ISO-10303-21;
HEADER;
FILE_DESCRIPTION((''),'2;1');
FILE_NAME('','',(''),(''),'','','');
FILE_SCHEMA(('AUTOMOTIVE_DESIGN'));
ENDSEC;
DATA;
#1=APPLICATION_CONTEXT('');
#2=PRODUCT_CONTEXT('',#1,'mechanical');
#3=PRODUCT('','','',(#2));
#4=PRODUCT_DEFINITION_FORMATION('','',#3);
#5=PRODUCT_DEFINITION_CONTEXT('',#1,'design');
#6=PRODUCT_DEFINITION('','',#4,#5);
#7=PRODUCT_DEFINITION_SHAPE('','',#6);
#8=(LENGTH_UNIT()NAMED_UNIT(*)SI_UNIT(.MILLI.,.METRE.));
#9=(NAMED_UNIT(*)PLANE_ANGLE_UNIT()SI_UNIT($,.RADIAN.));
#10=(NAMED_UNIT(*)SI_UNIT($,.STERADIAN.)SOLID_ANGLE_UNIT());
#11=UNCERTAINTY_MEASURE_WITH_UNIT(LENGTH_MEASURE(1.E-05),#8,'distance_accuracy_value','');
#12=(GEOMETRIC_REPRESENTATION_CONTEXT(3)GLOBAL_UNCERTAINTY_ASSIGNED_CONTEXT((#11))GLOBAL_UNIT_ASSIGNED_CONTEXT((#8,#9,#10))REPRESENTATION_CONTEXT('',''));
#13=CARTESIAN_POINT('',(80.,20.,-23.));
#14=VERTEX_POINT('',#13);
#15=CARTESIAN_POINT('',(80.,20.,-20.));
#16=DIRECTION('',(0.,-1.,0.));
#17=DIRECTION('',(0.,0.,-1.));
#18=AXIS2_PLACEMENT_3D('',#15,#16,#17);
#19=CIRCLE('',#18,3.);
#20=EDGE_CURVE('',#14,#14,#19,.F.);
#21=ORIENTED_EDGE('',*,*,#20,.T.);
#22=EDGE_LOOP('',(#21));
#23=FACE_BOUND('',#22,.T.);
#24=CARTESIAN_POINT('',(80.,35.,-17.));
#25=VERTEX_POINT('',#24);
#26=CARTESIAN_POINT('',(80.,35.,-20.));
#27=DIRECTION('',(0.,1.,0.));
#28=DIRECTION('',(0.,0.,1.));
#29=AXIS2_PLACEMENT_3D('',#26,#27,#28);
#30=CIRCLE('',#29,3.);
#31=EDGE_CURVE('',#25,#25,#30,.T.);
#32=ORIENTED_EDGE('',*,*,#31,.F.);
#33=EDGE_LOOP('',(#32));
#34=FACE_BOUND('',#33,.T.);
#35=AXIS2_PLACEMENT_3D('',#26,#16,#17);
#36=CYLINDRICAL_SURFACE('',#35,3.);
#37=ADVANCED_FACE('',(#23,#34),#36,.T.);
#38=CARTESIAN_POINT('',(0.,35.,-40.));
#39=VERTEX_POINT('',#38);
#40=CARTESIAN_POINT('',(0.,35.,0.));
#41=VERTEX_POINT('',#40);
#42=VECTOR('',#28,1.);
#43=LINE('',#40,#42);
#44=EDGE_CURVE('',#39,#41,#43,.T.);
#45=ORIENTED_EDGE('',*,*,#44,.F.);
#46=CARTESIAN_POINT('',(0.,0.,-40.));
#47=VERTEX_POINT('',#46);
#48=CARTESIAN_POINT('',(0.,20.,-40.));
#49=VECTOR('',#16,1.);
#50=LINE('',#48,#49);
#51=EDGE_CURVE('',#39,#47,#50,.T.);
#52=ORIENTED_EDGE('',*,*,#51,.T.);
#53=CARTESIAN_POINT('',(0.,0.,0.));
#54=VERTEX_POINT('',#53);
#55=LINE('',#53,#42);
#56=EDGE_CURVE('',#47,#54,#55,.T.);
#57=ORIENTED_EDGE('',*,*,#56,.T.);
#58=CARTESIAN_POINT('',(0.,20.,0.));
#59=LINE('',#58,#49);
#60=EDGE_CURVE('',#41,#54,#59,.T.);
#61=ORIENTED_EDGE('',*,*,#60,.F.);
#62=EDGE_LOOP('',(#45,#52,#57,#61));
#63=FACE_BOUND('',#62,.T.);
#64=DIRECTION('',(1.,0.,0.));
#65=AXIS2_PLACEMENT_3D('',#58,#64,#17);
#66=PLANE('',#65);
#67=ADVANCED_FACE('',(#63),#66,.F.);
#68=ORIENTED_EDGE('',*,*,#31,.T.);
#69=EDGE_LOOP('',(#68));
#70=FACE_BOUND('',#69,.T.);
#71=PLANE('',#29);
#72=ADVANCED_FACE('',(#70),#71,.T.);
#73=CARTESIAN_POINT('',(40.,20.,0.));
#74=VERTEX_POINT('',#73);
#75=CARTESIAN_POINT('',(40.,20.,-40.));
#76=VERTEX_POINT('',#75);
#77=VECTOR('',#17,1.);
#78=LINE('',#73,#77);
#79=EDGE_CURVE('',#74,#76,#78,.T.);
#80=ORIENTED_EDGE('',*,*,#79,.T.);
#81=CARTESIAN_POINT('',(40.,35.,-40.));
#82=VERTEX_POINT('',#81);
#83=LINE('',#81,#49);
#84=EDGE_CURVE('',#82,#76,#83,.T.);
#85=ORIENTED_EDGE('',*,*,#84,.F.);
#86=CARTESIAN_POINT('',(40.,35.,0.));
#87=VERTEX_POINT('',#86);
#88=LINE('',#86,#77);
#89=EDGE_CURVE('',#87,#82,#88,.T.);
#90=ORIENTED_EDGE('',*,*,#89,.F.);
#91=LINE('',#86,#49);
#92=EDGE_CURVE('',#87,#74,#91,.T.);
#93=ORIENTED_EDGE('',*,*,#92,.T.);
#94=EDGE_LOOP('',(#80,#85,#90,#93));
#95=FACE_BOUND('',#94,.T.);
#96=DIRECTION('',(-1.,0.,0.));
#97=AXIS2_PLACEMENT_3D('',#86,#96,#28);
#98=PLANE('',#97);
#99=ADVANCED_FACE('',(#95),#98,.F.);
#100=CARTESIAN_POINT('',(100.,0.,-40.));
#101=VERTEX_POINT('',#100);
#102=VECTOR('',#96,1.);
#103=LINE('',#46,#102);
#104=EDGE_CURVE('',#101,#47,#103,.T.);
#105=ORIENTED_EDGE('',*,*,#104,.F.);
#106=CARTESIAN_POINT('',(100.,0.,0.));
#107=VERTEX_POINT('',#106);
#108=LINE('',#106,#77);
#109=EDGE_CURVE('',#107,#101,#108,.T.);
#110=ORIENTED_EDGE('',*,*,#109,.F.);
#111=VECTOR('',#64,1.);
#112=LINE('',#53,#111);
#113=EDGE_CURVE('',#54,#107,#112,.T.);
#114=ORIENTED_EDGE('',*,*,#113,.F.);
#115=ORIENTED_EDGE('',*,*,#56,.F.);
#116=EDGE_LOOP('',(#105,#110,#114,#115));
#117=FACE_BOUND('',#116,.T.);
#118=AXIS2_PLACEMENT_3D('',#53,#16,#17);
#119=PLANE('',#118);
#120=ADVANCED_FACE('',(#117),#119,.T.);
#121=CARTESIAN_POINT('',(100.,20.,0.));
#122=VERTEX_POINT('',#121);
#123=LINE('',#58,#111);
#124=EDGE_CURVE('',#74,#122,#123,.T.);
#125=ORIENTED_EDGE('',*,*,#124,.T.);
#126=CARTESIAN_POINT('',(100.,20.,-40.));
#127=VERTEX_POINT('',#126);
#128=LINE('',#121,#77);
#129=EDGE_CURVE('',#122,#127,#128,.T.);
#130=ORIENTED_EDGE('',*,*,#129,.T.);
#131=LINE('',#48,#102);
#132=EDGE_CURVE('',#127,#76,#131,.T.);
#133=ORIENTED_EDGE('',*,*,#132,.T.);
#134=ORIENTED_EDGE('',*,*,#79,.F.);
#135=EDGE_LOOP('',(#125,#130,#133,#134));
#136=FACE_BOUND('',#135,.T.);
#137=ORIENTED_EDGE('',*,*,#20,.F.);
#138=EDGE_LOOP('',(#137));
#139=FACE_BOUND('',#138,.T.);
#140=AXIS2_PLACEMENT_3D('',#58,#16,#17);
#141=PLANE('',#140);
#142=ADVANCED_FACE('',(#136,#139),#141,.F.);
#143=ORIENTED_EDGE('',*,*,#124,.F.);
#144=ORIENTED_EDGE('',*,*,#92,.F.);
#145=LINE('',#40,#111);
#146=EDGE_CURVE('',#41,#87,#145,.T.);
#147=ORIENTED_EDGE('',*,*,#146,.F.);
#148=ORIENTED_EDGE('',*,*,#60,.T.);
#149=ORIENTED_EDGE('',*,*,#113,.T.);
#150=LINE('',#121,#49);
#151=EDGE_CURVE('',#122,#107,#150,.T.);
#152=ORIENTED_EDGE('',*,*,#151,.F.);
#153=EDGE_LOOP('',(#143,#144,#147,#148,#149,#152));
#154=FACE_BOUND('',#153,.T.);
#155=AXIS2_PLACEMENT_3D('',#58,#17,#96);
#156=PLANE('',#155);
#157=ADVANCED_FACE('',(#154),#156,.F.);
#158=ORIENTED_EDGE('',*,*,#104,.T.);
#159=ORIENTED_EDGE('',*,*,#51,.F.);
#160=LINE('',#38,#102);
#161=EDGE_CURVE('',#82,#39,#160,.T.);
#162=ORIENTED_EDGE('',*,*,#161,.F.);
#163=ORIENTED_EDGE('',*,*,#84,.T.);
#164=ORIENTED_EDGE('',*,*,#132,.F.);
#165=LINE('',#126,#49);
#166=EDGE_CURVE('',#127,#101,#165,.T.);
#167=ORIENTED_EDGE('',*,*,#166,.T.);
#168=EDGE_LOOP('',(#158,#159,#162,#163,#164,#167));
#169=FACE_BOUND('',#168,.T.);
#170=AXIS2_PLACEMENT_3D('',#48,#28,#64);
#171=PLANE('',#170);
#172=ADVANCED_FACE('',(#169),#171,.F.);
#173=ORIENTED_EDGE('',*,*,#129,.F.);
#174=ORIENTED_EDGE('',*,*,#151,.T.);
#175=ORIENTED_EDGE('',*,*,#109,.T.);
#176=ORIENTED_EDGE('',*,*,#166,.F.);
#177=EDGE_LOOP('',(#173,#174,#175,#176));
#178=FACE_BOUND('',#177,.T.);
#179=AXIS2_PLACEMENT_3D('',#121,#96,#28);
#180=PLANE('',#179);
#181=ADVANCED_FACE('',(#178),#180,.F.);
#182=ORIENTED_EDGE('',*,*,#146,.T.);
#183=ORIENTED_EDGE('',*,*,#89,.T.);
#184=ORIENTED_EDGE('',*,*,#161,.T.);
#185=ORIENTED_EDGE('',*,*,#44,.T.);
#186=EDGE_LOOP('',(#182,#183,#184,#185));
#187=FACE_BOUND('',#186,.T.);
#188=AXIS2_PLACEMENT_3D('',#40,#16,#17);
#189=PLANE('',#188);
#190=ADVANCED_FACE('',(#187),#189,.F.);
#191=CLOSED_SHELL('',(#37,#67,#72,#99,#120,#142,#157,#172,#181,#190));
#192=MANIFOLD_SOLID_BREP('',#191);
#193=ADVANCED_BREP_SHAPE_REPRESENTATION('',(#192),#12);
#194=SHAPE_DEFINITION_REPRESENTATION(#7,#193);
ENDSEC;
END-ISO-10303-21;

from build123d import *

# Parameters (mm, degrees)
SKETCH1_W           = 100
SKETCH1_H           = 40
BOSS_EXTRUDE1_DEPTH = 20
SKETCH2_R           = 3
BOSS_EXTRUDE2_DEPTH = 15
SKETCH3_W           = 40
SKETCH3_H           = 40
BOSS_EXTRUDE3_DEPTH = 15


with BuildPart() as part:
    # Sketch1 → Boss-Extrude1 (new body)
    with BuildSketch(Plane(origin=(0, 0, 0), x_dir=(1, 0, 0), z_dir=(0, 1, 0))):
        with Locations((50, 20)):
            Rectangle(SKETCH1_W, SKETCH1_H)
    extrude(amount=BOSS_EXTRUDE1_DEPTH)

    # Sketch2 → Boss-Extrude2 (add)
    with BuildSketch(Plane(origin=(0, 20, 0), x_dir=(1, 0, 0), z_dir=(0, 1, 0))):
        with Locations(Location((80, 20, 0), (0, 0, 90))):
            Circle(SKETCH2_R)
    extrude(amount=BOSS_EXTRUDE2_DEPTH)

    # Sketch3 → Boss-Extrude3 (add)
    with BuildSketch(Plane(origin=(0, 20, 0), x_dir=(1, 0, 0), z_dir=(0, 1, 0))):
        with Locations((20, 20)):
            Rectangle(SKETCH3_W, SKETCH3_H)
    extrude(amount=BOSS_EXTRUDE3_DEPTH)


solid = part.part
